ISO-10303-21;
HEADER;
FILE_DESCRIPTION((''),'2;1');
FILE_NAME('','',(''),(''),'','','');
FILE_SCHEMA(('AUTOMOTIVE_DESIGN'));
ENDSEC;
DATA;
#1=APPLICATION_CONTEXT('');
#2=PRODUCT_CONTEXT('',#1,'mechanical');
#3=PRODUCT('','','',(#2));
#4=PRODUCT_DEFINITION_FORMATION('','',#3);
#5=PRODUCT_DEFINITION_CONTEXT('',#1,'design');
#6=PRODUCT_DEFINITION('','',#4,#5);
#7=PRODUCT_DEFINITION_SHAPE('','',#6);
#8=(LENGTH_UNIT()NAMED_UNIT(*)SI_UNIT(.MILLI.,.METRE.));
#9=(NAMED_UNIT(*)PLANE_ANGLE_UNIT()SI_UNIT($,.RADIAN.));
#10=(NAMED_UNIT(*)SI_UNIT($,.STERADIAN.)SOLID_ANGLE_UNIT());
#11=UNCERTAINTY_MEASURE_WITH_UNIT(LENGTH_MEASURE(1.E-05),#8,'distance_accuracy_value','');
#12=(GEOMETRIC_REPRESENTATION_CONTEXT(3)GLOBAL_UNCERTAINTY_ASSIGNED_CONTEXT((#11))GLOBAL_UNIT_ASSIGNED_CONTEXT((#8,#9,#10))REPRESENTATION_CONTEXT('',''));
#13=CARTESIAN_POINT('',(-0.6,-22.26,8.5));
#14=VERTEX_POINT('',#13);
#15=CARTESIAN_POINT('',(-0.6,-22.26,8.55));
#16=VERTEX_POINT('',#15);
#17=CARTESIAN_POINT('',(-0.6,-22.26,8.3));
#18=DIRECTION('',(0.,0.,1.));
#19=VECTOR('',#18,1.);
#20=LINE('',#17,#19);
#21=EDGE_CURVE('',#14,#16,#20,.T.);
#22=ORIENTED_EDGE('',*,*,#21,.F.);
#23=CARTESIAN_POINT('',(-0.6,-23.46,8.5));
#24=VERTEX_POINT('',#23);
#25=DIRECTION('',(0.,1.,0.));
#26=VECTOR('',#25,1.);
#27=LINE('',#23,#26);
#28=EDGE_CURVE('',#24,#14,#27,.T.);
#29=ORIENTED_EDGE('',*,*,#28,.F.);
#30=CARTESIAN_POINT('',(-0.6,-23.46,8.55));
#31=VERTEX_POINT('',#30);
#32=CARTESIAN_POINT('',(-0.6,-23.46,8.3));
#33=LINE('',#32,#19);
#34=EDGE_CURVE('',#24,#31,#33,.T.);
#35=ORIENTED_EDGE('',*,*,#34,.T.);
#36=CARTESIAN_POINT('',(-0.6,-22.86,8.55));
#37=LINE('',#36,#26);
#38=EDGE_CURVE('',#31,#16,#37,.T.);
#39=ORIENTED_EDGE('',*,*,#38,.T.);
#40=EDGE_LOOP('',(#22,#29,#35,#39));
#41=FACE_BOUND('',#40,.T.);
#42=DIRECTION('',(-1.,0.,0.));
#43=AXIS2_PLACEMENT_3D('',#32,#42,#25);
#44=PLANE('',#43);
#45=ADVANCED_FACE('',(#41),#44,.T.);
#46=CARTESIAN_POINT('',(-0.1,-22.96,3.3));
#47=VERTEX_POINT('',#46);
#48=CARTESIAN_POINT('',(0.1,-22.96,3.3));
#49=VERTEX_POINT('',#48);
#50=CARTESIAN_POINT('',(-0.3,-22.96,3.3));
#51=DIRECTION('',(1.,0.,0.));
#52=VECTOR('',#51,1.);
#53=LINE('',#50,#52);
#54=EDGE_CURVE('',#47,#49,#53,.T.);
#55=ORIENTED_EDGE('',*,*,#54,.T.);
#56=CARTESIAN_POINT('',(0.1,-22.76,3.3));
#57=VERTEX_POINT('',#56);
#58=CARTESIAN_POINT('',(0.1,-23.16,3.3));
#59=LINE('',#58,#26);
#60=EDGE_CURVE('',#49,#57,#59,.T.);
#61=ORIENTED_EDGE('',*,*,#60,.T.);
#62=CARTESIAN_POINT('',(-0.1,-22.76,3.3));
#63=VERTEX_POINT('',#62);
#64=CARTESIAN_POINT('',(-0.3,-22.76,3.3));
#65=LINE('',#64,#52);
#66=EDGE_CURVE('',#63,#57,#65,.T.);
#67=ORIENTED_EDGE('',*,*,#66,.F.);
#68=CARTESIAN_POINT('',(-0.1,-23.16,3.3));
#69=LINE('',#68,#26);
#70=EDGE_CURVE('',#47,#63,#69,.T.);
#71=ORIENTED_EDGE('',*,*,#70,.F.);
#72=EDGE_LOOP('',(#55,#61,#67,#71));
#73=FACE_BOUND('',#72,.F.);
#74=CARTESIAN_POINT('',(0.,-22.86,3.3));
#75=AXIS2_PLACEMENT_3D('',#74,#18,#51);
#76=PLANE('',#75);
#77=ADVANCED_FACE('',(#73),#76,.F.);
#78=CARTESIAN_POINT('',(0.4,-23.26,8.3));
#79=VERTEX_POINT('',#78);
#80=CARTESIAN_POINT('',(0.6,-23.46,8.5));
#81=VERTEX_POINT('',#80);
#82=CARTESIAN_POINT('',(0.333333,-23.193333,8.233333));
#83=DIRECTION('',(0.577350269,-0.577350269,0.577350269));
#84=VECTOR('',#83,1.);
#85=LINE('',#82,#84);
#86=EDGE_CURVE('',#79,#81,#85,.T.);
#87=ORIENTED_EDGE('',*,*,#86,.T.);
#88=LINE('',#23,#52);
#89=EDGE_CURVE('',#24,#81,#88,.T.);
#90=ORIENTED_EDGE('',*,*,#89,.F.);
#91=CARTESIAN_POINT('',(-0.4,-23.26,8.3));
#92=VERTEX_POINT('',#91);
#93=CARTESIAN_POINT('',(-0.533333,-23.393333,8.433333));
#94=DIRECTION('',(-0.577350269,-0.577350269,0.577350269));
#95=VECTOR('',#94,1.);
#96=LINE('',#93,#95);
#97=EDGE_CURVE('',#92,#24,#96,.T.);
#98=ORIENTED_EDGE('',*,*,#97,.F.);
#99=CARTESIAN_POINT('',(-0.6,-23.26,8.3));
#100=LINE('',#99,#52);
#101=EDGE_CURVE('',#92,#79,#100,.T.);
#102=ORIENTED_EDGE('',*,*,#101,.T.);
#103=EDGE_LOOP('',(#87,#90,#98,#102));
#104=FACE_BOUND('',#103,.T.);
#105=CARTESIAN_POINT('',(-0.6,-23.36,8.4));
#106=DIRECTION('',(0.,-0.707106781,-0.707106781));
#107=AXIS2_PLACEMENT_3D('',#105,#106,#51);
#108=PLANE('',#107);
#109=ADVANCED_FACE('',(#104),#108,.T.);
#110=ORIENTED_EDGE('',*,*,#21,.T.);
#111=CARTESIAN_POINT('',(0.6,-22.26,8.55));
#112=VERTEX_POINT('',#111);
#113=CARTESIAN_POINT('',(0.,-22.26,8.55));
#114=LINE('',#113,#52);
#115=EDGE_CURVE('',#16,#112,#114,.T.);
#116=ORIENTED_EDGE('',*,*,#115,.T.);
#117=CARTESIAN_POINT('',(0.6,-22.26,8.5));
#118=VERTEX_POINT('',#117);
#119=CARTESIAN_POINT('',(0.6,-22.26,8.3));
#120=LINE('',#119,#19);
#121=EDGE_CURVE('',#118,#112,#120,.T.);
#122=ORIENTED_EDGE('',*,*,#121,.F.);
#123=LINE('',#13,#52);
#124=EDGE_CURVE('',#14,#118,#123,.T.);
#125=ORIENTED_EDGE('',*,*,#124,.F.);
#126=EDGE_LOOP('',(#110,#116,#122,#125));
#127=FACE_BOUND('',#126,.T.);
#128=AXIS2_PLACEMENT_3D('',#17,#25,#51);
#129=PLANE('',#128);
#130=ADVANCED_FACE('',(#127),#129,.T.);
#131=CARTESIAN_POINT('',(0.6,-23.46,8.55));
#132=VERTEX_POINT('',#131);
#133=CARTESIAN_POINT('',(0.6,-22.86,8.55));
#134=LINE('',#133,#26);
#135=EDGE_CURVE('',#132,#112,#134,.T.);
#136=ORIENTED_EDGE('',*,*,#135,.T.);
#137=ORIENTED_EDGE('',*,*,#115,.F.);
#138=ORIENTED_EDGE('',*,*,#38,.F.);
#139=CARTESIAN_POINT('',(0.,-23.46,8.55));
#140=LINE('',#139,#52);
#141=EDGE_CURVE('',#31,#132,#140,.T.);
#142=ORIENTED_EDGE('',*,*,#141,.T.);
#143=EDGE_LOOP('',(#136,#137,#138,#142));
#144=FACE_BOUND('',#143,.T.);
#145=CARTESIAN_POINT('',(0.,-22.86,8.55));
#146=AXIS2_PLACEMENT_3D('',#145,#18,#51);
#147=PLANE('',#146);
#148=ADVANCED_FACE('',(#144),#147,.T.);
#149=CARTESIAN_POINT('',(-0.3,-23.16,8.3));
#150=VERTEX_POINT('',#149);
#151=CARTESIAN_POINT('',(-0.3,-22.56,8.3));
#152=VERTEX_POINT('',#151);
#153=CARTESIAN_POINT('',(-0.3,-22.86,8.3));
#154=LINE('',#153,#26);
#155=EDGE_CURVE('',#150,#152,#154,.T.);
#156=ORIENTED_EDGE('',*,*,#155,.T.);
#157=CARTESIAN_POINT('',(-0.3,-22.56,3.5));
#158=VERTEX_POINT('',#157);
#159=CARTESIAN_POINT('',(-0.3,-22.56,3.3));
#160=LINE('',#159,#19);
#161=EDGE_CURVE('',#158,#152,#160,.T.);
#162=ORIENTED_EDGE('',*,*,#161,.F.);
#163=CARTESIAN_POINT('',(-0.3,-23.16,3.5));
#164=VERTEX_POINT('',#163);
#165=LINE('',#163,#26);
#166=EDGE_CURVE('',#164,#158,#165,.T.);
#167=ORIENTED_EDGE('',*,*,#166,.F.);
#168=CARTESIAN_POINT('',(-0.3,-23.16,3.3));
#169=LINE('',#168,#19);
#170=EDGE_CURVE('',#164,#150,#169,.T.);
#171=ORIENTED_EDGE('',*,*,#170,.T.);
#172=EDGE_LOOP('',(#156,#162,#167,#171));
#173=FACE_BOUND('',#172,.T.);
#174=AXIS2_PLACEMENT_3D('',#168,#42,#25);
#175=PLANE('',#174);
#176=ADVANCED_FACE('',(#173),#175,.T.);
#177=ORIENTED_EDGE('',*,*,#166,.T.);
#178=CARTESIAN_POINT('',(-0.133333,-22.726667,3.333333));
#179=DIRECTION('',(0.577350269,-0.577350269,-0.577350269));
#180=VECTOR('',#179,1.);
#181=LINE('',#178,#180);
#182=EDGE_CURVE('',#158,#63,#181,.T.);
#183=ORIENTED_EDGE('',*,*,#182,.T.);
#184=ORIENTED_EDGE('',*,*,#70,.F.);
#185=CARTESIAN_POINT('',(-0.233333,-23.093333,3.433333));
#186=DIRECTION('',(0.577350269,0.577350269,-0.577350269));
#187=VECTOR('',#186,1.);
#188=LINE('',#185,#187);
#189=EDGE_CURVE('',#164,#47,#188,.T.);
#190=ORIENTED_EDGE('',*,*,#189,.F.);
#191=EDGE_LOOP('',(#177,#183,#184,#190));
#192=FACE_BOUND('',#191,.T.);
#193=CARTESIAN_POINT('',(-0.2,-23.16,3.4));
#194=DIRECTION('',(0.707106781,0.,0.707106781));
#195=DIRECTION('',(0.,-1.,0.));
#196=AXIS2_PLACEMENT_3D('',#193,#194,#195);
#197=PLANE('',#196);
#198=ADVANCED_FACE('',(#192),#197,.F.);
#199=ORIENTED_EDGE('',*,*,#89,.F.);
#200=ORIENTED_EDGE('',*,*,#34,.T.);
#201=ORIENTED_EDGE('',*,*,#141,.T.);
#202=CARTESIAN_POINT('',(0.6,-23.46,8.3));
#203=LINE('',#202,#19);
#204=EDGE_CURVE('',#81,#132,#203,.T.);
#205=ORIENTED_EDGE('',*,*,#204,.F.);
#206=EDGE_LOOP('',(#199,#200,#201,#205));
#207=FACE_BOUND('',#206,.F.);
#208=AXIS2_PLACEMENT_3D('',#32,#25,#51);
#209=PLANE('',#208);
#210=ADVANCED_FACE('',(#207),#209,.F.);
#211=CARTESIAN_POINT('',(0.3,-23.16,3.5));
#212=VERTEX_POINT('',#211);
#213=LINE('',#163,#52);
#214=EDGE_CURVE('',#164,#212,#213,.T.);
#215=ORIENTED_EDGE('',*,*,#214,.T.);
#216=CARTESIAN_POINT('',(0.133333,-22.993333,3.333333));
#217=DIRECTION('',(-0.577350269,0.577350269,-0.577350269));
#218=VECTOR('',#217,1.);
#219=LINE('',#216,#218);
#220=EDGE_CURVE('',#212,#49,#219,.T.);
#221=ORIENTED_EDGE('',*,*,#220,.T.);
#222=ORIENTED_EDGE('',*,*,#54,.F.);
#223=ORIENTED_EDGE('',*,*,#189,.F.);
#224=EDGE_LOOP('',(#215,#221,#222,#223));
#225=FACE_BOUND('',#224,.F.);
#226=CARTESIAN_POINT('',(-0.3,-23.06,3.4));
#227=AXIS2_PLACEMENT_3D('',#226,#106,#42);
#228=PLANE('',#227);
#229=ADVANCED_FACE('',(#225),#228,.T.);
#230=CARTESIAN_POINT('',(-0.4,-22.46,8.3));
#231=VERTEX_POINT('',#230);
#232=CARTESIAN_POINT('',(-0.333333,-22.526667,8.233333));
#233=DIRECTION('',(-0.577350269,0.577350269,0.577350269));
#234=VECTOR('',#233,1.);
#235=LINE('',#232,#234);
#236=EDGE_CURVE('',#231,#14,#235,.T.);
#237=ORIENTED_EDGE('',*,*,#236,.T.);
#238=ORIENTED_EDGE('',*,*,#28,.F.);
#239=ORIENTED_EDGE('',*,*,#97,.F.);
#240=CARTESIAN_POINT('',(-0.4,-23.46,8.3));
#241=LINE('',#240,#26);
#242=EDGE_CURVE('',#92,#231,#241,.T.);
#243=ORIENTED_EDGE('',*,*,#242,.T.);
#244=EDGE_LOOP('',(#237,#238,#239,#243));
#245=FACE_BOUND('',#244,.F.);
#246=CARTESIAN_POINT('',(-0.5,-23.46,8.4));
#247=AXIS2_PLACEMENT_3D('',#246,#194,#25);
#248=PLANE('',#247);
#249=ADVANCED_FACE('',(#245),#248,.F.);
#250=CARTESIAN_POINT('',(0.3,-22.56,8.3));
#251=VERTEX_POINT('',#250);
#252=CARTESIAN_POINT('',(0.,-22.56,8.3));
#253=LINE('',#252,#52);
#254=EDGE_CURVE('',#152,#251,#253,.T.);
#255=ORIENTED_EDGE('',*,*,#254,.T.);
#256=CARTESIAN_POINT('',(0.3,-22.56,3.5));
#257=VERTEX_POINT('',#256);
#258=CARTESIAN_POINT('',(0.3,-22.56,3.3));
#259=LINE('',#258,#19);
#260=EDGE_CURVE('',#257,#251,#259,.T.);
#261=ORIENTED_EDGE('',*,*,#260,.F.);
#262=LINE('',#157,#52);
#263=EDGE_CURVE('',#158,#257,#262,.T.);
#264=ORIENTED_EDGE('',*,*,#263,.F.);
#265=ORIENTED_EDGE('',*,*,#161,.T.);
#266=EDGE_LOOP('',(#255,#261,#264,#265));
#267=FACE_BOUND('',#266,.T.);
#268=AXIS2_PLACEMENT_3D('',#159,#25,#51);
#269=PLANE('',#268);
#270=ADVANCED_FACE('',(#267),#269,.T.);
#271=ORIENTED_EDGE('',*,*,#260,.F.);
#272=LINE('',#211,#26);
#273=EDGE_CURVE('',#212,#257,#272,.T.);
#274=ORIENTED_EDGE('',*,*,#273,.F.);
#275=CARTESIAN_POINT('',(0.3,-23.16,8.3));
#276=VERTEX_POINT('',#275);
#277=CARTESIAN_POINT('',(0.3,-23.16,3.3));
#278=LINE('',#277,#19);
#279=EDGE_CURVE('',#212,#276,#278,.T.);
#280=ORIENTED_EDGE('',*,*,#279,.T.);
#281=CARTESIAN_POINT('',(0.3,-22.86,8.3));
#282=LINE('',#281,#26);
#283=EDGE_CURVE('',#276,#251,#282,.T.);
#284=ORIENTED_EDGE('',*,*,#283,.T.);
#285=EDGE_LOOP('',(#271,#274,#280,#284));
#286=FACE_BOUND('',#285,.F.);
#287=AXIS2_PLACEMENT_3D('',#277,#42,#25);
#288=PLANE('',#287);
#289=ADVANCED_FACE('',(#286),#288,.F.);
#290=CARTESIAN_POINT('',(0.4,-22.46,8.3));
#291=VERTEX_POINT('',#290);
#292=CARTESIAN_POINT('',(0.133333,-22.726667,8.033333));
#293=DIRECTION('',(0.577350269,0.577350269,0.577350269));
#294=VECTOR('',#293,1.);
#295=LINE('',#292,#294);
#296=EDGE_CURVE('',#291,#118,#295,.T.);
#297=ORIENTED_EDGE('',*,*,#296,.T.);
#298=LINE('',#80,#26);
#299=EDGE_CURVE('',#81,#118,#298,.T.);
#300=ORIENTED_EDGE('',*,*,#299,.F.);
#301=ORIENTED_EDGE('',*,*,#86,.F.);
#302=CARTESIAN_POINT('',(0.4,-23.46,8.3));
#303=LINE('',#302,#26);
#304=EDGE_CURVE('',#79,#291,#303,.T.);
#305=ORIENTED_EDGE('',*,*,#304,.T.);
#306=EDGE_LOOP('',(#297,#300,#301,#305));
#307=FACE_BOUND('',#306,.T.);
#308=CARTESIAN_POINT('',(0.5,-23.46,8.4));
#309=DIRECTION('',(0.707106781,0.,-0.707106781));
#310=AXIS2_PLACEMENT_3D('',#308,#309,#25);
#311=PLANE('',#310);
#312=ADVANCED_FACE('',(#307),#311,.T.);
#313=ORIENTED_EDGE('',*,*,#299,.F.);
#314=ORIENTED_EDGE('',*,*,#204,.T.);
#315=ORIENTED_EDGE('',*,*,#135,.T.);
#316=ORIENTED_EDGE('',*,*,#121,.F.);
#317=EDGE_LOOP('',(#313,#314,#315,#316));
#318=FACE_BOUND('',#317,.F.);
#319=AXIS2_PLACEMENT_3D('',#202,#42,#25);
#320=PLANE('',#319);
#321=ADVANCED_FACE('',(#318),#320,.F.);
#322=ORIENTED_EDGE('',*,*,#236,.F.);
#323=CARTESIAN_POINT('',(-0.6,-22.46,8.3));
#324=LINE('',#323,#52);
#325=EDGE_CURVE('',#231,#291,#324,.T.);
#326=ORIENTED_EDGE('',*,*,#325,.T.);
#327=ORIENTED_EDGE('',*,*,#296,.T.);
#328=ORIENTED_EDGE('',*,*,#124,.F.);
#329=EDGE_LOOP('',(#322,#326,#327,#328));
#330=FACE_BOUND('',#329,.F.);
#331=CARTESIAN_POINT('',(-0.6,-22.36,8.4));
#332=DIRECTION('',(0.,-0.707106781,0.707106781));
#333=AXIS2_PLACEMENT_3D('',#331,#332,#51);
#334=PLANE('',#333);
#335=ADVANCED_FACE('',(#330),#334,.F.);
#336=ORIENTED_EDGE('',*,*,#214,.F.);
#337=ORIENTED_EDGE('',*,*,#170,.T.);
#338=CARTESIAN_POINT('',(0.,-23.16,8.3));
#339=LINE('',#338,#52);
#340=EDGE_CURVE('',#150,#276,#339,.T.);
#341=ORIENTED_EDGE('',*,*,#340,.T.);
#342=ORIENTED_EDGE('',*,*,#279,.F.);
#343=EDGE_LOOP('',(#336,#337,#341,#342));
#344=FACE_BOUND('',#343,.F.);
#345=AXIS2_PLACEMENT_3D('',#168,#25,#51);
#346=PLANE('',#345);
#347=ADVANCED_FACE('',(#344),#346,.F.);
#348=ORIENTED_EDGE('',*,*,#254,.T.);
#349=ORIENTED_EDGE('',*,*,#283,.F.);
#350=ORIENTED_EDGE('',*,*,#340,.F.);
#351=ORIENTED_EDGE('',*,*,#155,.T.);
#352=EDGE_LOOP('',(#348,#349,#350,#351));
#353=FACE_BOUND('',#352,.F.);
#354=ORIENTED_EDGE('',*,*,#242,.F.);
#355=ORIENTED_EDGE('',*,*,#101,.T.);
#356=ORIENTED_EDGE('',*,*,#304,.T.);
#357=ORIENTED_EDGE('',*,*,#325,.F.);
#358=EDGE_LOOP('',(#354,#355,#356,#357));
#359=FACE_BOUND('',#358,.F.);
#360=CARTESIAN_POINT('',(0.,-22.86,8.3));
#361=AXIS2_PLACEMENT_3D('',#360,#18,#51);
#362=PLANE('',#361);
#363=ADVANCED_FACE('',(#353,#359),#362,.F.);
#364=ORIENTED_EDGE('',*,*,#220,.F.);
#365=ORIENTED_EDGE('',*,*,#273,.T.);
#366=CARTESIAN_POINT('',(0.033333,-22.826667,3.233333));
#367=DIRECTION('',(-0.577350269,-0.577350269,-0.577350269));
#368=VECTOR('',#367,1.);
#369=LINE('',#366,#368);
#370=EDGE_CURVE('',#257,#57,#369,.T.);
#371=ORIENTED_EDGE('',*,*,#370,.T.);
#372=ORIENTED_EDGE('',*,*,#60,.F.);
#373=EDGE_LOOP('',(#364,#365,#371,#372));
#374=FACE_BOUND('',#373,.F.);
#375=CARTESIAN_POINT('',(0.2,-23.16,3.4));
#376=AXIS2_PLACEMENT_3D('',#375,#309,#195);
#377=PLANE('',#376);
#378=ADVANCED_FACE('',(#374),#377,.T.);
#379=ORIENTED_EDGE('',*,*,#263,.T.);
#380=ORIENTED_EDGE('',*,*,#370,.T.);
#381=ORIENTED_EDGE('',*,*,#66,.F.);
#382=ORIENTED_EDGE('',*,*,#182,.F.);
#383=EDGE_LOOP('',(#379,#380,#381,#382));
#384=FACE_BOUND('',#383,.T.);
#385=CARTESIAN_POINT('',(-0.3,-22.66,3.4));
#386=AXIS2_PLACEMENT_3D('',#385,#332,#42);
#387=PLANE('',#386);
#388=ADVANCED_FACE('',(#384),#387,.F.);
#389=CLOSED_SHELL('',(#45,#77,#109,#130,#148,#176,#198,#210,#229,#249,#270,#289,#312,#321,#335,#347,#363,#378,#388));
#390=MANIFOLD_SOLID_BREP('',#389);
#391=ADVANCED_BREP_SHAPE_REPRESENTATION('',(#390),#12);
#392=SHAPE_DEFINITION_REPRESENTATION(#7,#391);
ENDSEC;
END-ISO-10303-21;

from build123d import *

# Parameters (mm, degrees)
SKETCH002_W     = 0.6
SKETCH002_H     = 0.6
PAD002_DEPTH    = 5
SKETCH003_W     = 1.2
SKETCH003_H     = 1.2
PAD003_DEPTH    = 0.25
CHAMFER002_SIZE = 0.2
CHAMFER003_SIZE = 0.2


with BuildPart() as part:
    # Sketch002 → Pad002 (new body)
    with BuildSketch(Plane.XY):
        Rectangle(SKETCH002_W, SKETCH002_H)
    extrude(amount=PAD002_DEPTH)

    # Sketch003 (on Face6 of Pad002) → Pad003 (join)
    with BuildSketch(Plane.XY.offset(5)):
        Rectangle(SKETCH003_W, SKETCH003_H)
    extrude(amount=PAD003_DEPTH)

    # Chamfer002
    chamfer002_edges = [part.edges().sort_by_distance(p)[0] for p in [
        (0, -0.3, 0),
        (0.3, 0, 0),
        (0, 0.3, 0),
        (-0.3, 0, 0),
    ]]
    chamfer(chamfer002_edges, length=CHAMFER002_SIZE)

    # Chamfer003
    chamfer003_edges = [part.edges().sort_by_distance(p)[0] for p in [
        (-0.6, 0, 5),
        (0, 0.6, 5),
        (0.6, 0, 5),
        (0, -0.6, 5),
    ]]
    chamfer(chamfer003_edges, length=CHAMFER003_SIZE)


with BuildPart() as part_1:
    # Body001 placement: moved
    add(part.part.moved(Location((0, -22.86, 3.3))))


solid = part_1.part
